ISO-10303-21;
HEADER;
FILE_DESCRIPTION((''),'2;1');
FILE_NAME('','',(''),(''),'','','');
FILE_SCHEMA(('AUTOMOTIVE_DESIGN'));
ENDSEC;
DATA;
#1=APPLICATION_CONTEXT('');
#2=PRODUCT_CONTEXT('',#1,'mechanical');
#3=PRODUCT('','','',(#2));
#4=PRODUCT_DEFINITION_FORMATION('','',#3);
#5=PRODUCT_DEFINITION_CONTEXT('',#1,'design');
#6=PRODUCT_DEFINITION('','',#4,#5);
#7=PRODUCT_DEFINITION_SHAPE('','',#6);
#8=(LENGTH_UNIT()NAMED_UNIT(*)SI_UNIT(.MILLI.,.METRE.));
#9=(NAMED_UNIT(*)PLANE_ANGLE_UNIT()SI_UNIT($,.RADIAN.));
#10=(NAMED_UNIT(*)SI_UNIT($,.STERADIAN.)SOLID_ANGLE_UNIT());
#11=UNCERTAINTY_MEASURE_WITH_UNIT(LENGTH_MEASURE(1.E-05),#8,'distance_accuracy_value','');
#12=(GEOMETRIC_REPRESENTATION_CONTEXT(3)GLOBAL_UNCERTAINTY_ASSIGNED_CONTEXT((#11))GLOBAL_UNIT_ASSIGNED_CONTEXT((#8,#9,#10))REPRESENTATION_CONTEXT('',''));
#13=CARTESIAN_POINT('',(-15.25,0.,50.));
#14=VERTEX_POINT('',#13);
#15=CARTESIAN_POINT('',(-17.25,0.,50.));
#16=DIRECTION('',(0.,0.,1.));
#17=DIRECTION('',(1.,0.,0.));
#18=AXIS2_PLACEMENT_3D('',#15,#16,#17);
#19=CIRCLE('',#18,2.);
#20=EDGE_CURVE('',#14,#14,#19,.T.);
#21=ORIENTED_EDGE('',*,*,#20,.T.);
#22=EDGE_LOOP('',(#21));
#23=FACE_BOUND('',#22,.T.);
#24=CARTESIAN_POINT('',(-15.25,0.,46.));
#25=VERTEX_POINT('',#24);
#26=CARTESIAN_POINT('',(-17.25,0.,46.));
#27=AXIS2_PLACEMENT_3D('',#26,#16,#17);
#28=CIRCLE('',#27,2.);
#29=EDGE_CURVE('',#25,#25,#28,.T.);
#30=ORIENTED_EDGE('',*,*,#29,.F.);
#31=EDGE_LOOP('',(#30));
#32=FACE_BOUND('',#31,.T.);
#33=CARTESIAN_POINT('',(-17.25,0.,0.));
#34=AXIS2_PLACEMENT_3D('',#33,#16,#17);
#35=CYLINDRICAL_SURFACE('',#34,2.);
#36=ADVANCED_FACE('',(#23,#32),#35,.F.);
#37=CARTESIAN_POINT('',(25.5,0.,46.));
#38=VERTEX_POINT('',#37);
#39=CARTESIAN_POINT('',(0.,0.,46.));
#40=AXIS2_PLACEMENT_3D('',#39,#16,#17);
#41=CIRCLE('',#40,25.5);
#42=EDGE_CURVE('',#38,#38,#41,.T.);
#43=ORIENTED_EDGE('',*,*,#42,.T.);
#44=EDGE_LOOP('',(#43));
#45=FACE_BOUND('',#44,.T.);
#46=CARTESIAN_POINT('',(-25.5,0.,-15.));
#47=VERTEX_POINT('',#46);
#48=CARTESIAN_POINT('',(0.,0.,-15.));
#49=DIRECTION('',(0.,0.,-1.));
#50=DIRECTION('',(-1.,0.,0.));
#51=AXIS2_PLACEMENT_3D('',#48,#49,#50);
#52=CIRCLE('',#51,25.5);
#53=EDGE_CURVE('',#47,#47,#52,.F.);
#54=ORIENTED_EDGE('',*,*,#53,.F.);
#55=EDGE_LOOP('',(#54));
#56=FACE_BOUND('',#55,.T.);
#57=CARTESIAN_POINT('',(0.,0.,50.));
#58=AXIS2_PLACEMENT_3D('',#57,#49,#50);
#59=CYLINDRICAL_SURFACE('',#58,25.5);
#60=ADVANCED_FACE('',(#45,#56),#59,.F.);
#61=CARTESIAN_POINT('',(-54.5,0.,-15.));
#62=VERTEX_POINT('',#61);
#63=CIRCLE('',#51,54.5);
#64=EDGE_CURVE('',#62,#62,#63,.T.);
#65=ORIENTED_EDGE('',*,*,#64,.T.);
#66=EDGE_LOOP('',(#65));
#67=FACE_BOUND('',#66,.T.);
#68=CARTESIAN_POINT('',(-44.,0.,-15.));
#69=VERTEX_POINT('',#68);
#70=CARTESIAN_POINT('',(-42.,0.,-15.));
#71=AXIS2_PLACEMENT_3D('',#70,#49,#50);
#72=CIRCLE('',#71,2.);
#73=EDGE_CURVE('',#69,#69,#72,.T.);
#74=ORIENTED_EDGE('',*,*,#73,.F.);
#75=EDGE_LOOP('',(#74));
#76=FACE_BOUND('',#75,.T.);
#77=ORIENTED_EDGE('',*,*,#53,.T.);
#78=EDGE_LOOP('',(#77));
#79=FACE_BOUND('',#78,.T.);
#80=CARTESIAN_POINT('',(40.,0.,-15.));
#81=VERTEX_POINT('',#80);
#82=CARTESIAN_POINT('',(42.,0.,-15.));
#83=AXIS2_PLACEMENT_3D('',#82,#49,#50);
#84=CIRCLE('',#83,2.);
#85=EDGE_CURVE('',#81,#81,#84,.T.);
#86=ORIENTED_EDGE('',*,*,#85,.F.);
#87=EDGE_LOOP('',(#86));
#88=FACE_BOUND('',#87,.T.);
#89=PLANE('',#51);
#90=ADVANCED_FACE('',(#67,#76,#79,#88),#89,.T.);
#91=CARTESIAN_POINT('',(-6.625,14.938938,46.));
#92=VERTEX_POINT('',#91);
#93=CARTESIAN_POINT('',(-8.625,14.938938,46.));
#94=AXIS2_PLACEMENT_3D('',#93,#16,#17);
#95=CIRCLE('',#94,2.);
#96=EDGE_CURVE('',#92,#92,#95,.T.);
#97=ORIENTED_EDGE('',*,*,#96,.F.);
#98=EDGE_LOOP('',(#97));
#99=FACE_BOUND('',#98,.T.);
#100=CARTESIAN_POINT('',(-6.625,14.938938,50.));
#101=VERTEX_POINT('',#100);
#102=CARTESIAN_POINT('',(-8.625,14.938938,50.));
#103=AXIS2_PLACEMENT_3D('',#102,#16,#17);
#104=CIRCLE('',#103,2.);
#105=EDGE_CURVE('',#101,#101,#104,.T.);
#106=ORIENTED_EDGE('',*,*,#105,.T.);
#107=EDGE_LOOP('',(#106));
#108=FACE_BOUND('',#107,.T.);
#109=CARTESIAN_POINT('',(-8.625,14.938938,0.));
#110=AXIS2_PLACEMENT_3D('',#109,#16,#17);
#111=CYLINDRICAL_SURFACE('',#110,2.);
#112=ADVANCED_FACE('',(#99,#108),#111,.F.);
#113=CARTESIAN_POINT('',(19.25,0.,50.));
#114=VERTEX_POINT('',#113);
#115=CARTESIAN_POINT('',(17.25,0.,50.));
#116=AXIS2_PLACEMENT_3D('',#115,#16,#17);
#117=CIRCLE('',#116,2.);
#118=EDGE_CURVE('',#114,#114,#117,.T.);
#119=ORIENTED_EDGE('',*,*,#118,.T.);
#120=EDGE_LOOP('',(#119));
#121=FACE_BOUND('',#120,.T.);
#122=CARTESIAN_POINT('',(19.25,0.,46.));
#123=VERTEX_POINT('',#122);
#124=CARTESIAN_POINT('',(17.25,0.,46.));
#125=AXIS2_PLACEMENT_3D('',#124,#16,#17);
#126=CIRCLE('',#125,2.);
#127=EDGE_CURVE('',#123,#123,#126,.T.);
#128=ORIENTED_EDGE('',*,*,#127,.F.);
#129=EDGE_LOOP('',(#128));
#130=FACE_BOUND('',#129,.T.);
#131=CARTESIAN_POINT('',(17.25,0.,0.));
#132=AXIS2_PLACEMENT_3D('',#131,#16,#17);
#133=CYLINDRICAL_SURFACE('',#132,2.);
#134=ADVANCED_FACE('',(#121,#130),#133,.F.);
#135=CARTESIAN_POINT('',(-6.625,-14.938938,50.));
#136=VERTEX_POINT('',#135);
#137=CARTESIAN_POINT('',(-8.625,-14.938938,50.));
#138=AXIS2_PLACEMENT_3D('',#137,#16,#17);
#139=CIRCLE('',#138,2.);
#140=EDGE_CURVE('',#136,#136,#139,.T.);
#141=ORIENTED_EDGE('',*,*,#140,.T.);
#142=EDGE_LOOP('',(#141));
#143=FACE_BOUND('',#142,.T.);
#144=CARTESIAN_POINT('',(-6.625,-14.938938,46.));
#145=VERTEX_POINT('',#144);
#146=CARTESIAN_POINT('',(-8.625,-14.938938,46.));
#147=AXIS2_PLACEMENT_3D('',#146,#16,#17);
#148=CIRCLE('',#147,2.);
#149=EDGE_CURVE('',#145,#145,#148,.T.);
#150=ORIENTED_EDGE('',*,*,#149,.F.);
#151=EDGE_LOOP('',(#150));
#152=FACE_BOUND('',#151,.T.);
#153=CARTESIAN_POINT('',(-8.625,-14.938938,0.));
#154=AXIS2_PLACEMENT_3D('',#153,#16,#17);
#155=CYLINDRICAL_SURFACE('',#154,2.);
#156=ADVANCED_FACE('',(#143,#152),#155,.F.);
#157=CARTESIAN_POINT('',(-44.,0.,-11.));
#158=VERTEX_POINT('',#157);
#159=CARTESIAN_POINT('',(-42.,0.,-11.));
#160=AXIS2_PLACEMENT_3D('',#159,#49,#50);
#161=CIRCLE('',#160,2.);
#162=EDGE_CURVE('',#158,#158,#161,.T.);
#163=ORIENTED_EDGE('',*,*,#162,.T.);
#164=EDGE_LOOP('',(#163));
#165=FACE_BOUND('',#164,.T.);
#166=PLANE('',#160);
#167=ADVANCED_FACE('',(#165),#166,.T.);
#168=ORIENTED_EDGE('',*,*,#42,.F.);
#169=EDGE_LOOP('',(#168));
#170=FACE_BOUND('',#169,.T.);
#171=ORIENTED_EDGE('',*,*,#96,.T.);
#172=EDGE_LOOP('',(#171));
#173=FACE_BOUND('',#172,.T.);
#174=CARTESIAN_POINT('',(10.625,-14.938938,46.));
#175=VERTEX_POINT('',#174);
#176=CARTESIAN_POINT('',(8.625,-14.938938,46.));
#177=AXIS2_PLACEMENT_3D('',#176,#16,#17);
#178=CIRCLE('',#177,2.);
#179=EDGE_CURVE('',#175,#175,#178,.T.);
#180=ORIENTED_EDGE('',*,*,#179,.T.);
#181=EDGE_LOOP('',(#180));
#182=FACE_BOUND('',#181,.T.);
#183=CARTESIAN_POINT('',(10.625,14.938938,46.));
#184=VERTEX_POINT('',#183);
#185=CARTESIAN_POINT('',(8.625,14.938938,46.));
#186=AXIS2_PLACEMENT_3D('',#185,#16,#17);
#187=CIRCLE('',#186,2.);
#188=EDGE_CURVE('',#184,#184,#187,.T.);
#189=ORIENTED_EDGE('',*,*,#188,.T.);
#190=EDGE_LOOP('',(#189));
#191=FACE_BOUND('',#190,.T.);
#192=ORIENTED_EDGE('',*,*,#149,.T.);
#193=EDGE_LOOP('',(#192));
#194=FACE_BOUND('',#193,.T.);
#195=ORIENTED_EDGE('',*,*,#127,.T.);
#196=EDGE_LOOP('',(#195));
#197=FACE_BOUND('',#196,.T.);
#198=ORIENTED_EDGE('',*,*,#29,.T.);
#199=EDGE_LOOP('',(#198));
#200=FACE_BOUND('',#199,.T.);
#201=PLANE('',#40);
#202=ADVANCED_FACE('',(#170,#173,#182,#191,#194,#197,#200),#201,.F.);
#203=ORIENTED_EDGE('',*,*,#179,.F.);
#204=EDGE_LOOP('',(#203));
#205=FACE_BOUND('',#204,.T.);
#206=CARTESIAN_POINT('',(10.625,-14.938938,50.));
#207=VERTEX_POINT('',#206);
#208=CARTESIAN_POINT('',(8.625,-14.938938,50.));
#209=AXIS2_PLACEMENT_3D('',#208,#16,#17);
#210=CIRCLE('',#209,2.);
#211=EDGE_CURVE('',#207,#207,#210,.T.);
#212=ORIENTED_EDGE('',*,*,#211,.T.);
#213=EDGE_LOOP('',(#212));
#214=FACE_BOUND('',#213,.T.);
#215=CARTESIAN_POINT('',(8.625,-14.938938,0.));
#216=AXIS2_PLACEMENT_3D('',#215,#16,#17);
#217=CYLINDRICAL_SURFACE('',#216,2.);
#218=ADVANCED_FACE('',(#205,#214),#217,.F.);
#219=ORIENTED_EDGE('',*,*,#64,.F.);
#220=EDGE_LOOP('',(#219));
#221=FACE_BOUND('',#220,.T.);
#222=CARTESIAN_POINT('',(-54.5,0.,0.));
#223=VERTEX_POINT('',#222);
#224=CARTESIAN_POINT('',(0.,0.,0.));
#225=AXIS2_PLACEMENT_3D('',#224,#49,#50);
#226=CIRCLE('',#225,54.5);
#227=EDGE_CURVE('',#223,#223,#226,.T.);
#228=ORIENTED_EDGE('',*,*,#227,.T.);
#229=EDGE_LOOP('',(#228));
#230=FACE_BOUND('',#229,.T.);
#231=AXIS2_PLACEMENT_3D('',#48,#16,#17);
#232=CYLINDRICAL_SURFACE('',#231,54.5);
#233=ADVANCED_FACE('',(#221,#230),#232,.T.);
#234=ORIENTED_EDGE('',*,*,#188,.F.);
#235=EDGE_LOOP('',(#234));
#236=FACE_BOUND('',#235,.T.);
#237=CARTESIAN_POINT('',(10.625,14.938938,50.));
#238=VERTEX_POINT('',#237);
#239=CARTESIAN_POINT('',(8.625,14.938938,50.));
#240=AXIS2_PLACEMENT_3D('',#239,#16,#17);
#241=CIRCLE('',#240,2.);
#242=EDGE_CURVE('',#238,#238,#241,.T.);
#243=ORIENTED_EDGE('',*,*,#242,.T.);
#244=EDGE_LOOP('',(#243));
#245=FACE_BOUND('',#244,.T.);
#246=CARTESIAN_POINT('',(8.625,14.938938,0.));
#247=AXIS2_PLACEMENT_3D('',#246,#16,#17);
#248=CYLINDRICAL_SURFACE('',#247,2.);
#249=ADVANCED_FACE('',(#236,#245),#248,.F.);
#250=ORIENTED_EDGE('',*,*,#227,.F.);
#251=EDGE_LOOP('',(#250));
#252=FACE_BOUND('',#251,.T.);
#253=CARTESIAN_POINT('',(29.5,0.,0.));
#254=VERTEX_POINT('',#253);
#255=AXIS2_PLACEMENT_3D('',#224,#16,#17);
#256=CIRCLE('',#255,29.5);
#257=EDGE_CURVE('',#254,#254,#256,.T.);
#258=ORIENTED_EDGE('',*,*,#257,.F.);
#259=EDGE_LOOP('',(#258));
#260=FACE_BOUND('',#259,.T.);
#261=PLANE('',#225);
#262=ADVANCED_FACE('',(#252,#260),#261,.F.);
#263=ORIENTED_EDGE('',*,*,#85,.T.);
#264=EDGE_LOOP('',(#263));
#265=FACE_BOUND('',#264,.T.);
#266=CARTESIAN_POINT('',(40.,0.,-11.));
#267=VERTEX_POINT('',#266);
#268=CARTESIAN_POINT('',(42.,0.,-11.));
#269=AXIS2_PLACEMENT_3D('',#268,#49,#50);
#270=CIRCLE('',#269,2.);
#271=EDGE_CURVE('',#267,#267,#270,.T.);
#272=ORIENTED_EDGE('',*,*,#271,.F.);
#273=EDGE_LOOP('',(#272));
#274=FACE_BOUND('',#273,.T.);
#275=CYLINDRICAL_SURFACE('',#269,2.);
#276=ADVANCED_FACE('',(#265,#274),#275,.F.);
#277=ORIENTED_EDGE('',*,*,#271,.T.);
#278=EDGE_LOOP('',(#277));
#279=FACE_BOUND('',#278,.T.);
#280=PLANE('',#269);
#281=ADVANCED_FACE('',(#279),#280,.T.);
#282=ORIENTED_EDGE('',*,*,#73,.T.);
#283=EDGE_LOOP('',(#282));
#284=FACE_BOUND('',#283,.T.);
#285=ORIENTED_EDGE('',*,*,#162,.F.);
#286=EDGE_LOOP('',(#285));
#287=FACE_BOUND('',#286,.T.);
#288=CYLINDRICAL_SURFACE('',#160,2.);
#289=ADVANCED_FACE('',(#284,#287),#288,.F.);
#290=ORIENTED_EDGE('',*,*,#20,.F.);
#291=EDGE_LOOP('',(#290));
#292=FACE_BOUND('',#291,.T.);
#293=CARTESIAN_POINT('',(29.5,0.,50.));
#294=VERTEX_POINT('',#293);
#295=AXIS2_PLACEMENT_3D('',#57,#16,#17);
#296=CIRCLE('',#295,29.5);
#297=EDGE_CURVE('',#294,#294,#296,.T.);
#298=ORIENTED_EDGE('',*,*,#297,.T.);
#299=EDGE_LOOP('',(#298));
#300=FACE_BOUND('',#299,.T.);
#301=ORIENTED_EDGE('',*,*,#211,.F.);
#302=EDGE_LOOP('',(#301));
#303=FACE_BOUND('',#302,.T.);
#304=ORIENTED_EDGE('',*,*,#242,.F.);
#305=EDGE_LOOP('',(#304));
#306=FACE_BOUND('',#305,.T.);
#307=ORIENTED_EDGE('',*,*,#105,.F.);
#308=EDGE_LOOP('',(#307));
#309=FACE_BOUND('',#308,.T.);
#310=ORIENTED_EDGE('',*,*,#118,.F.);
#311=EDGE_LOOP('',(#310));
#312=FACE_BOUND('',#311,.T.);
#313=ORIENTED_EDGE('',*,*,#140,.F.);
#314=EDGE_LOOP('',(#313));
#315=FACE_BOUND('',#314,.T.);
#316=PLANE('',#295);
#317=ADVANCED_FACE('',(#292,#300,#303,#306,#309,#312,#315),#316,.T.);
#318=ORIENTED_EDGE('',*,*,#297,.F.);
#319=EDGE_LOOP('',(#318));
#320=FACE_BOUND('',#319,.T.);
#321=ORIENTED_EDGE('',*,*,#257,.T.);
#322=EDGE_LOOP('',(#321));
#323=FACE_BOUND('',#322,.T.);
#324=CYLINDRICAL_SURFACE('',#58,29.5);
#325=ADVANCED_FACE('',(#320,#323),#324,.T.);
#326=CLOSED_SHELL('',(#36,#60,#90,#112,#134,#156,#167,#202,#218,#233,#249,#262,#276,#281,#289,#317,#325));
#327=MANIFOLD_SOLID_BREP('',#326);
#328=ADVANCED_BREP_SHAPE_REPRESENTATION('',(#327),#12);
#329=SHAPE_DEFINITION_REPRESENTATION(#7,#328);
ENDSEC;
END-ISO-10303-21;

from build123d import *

# Parameters (mm, degrees)
SKETCH_1_R          = 29.5
EXTRUDE_1_DEPTH     = 50
SHELL_2_T           = -4
SKETCH_3_R          = 2
CUT_EXTRUDE_1_DEPTH = 66.119121616
SKETCH_5_R          = 54.5
SKETCH_5_R_2        = 29.5
SKETCH_5_R_3        = 25.5
EXTRUDE_7_DEPTH     = 15
SKETCH_6_R          = 2
CUT_EXTRUDE_3_DEPTH = 4


with BuildPart() as part:
    # 草图1 → 凸台-拉伸1 (new body)
    with BuildSketch(Plane.XY):
        Circle(SKETCH_1_R)
    extrude(amount=EXTRUDE_1_DEPTH)

    # 抽壳2
    shell_2_openings = [part.faces().sort_by_distance(p)[0] for p in [
        (0, 0, 0),
    ]]
    offset(amount=SHELL_2_T, openings=shell_2_openings, kind=Kind.INTERSECTION)

    # 草图3 → 切除-拉伸1 (cut, through all)
    with BuildSketch(Plane.XY.offset(50)):
        with Locations((-17.25, 0)):
            Circle(SKETCH_3_R)
        with Locations((-8.625, 14.938938215)):
            Circle(SKETCH_3_R)
        with Locations((8.625, 14.938938215)):
            Circle(SKETCH_3_R)
        with Locations((17.25, 0)):
            Circle(SKETCH_3_R)
        with Locations((8.625, -14.938938215)):
            Circle(SKETCH_3_R)
        with Locations((-8.625, -14.938938215)):
            Circle(SKETCH_3_R)
    extrude(amount=-CUT_EXTRUDE_1_DEPTH, mode=Mode.SUBTRACT)

    # 草图5 → 凸台-拉伸7 (add)
    with BuildSketch(Plane(origin=(0, 0, 0), x_dir=(-1, 0, 0), z_dir=(0, 0, -1))):
        Circle(SKETCH_5_R)
        with Locations(Location((0, 0, 0), (0, 0, 180))):
            Circle(SKETCH_5_R_2, mode=Mode.SUBTRACT)
        with Locations(Location((0, 0, 0), (0, 0, 180))):
            Circle(SKETCH_5_R_2)
        Circle(SKETCH_5_R_3, mode=Mode.SUBTRACT)
    extrude(amount=EXTRUDE_7_DEPTH)

    # 草图6 → 切除-拉伸3 (cut)
    with BuildSketch(Plane(origin=(0, 0, -15), x_dir=(-1, 0, 0), z_dir=(0, 0, -1))):
        with Locations((-42, 0)):
            Circle(SKETCH_6_R)
        with Locations((42, 0)):
            Circle(SKETCH_6_R)
    extrude(amount=-CUT_EXTRUDE_3_DEPTH, mode=Mode.SUBTRACT)


solid = part.part
